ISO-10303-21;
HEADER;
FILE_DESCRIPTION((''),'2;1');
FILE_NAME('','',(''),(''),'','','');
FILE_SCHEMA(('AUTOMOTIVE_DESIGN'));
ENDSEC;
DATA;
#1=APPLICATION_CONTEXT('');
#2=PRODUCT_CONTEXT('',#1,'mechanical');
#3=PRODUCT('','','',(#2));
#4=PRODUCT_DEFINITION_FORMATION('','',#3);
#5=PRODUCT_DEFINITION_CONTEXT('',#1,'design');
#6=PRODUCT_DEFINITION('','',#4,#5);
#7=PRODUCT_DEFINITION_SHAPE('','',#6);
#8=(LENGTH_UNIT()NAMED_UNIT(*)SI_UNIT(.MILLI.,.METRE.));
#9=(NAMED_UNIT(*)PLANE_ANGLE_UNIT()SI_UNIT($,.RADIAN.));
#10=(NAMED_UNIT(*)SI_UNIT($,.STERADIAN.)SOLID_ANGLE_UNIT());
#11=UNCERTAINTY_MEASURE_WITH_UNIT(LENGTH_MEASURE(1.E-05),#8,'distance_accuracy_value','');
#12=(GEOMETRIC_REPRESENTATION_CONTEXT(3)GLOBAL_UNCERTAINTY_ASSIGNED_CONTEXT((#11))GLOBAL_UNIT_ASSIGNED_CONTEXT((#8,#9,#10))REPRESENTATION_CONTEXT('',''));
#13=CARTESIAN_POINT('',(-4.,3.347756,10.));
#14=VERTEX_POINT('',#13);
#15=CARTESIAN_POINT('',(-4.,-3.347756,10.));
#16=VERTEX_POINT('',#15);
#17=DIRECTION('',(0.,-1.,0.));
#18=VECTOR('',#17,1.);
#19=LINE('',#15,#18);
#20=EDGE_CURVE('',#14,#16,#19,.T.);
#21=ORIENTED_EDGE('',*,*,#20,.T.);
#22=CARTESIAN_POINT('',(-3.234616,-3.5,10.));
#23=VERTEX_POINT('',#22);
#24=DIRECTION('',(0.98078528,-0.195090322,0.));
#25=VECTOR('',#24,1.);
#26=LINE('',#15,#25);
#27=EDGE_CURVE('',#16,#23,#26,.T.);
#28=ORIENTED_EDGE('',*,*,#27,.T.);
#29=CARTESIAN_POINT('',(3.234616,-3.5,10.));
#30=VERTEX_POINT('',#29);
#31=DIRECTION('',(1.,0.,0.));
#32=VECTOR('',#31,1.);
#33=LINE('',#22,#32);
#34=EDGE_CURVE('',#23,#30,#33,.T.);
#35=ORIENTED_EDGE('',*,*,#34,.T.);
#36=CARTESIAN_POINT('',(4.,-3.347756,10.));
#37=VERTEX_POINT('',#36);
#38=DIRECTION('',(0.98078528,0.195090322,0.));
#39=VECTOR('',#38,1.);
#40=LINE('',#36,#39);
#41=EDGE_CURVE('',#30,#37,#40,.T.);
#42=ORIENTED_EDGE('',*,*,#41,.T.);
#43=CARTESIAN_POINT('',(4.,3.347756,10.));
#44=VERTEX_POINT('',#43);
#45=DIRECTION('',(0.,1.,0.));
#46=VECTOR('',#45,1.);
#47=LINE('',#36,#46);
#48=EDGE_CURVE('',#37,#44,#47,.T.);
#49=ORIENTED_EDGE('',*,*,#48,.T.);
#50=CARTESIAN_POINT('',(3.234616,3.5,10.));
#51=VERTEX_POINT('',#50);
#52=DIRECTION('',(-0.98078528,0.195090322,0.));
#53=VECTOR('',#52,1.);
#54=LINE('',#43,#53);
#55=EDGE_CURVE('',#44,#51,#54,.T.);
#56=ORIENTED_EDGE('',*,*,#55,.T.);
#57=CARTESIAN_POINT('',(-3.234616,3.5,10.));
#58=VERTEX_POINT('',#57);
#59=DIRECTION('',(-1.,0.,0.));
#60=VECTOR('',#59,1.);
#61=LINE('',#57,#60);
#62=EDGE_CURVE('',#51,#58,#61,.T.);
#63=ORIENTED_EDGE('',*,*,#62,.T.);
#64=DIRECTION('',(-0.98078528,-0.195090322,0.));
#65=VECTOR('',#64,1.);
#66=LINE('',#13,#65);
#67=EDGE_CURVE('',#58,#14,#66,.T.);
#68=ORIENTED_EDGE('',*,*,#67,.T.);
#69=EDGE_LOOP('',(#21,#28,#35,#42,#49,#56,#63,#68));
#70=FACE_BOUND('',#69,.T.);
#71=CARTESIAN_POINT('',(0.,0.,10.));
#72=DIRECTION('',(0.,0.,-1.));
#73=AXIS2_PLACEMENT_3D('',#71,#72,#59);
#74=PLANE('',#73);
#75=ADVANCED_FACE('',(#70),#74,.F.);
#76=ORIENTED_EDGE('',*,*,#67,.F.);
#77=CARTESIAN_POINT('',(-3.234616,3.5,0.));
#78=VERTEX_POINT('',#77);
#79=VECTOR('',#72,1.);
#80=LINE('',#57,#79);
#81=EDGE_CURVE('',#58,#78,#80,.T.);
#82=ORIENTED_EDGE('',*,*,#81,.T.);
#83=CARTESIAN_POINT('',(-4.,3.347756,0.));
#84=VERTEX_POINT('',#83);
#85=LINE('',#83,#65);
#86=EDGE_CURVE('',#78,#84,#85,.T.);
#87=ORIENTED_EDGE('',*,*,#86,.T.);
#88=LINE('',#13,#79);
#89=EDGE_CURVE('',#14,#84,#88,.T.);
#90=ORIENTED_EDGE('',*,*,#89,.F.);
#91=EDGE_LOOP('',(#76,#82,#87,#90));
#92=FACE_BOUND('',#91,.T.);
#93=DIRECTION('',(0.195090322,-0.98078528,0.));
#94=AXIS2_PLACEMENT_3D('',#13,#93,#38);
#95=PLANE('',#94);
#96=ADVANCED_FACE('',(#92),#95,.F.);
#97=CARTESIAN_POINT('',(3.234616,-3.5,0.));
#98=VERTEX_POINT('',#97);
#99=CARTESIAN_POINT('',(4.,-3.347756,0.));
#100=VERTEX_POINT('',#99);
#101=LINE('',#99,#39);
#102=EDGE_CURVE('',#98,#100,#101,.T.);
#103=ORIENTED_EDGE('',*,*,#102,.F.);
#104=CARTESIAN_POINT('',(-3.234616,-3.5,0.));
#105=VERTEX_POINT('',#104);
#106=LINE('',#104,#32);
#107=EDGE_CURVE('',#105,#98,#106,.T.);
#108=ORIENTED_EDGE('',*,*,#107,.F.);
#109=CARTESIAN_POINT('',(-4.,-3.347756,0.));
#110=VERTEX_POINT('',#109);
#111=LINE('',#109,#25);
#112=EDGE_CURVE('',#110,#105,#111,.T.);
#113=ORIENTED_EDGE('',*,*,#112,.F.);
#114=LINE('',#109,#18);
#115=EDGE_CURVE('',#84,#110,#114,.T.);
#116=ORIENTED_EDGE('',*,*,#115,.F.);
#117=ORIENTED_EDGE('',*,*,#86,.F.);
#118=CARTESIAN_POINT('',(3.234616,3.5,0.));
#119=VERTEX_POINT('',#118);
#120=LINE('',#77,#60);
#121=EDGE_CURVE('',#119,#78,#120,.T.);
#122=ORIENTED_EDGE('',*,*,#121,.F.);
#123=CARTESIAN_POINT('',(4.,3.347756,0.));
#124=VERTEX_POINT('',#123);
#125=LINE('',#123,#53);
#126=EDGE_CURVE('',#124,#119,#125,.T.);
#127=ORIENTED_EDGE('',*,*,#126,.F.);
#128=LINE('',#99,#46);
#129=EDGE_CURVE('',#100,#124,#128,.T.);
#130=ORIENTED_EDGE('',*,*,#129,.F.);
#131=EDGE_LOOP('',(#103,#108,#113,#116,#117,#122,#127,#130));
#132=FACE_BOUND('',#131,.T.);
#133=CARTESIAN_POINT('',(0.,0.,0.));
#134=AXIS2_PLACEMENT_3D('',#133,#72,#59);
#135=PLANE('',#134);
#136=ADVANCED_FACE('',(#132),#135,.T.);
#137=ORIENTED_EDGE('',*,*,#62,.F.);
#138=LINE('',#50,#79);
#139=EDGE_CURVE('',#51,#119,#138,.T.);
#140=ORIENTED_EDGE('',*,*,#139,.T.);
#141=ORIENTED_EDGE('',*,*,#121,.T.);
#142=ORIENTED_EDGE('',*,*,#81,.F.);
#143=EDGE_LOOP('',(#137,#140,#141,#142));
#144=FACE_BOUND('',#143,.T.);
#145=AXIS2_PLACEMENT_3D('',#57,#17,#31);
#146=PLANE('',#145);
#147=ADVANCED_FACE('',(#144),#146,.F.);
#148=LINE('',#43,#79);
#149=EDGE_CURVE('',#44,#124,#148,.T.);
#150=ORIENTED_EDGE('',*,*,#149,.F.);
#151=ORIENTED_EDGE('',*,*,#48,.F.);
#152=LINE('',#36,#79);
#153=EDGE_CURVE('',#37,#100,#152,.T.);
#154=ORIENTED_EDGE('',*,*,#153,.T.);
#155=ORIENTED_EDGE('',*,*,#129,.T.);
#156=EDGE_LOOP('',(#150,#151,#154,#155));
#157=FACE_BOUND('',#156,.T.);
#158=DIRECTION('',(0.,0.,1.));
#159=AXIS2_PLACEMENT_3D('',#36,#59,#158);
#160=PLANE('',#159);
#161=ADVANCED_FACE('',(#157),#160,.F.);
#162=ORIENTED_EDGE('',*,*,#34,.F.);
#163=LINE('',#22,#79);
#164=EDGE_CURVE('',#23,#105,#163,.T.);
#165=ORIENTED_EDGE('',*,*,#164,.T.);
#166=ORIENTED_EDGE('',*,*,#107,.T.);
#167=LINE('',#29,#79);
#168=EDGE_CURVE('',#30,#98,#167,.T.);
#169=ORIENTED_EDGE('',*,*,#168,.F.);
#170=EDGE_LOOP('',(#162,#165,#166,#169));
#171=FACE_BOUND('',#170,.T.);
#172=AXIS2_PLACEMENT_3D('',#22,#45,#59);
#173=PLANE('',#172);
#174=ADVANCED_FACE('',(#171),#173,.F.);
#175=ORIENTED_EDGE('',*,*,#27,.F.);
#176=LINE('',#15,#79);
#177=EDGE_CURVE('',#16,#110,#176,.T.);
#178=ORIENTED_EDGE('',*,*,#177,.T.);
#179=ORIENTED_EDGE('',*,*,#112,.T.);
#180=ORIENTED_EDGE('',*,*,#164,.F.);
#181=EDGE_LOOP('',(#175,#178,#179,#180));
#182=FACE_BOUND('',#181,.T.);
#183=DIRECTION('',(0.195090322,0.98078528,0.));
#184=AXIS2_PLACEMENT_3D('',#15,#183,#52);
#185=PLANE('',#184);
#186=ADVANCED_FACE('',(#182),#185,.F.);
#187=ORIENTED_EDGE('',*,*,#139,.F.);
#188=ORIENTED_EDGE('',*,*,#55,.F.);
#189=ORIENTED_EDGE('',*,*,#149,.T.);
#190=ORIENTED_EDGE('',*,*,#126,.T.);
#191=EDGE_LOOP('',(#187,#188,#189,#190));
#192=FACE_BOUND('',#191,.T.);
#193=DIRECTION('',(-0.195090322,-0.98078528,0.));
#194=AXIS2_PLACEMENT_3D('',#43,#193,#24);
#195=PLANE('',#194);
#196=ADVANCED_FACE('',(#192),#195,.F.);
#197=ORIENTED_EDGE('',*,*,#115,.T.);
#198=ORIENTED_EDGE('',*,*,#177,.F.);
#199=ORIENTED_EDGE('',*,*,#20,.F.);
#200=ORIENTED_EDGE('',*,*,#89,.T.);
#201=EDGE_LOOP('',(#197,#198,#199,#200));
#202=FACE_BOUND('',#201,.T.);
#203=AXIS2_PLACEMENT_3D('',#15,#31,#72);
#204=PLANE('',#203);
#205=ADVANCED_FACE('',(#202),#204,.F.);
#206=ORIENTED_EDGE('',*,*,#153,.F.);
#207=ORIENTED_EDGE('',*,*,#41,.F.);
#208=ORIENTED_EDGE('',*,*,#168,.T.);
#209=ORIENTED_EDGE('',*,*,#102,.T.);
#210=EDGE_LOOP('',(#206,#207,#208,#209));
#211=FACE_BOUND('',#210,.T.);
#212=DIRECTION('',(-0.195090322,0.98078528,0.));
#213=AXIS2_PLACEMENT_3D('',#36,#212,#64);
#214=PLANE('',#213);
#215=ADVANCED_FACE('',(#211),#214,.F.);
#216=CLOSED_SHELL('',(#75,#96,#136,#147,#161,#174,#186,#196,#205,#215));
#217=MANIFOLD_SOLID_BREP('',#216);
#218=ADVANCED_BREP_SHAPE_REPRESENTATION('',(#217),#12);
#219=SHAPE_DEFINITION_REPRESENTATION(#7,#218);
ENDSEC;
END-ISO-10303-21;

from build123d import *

# Parameters (mm, degrees)
BOSS_EXTRU_1_DEPTH = 10


with BuildPart() as part:
    # Esquisse1 → Boss.-Extru.1 (new body)
    with BuildSketch(Plane.XY):
        Polygon((4, 3.347755687), (3.234616154, 3.5), (-3.234616154, 3.5), (-4, 3.347755687), (-4, -3.347755687), (-3.234616154, -3.5), (3.234616154, -3.5), (4, -3.347755687), align=None)
    extrude(amount=BOSS_EXTRU_1_DEPTH)


solid = part.part
